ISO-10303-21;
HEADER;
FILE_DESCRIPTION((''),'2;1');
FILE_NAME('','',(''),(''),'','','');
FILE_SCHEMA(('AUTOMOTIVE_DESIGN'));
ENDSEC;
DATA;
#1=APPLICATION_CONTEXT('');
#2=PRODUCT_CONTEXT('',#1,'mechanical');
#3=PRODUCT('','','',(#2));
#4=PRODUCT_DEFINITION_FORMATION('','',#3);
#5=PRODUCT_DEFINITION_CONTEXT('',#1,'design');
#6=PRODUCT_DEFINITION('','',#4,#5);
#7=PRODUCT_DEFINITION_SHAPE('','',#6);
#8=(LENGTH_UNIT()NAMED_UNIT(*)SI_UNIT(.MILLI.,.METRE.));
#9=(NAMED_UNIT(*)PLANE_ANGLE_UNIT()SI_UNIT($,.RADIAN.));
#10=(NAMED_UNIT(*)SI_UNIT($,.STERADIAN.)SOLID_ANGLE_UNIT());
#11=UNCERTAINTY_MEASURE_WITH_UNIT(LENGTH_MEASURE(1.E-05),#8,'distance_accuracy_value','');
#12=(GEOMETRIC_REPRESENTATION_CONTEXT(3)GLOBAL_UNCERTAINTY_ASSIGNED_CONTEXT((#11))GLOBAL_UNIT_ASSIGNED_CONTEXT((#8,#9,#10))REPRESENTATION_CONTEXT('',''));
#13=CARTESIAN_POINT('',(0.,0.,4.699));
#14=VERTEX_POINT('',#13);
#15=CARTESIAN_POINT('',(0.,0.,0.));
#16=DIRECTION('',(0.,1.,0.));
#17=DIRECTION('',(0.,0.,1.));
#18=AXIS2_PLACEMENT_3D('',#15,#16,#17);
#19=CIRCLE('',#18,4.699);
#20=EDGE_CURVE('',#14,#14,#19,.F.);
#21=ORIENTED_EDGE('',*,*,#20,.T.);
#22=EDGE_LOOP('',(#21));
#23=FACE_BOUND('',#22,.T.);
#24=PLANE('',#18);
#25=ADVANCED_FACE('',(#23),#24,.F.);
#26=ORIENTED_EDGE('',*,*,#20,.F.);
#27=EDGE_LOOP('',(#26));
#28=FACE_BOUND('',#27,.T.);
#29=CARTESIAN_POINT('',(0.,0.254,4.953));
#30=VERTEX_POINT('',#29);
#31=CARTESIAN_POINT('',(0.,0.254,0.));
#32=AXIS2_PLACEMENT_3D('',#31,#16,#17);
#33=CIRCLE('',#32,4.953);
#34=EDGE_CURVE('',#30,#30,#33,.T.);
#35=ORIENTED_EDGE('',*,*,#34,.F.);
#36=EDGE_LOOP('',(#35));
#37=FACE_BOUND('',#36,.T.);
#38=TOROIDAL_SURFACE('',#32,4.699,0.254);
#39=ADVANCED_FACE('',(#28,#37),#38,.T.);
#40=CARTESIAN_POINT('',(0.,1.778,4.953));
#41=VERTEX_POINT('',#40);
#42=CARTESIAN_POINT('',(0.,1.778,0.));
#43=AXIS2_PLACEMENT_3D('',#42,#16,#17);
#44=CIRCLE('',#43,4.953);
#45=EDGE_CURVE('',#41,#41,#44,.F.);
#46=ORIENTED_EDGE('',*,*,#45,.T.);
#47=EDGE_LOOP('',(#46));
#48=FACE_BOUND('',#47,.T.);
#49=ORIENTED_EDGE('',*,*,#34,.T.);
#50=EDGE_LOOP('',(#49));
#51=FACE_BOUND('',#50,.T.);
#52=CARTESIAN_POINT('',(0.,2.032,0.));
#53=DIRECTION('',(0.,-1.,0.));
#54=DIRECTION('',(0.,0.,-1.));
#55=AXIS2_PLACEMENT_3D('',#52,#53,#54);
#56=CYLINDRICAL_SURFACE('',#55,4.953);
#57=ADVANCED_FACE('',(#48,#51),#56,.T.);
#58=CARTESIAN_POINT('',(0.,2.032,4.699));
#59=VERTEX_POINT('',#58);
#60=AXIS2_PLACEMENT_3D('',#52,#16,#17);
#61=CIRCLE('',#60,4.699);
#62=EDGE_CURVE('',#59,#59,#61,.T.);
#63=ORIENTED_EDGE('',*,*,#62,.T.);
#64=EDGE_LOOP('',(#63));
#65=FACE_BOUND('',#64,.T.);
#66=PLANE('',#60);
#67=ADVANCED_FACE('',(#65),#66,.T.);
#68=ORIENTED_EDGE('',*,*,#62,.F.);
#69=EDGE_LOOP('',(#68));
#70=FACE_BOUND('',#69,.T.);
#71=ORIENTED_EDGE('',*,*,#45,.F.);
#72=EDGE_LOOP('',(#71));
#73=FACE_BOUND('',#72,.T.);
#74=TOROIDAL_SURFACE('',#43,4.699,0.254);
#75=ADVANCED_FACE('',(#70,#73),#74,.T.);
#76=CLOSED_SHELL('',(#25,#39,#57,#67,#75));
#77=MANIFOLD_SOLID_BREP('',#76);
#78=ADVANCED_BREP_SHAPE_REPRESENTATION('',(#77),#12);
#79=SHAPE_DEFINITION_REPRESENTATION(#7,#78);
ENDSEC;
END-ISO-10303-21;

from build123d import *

# Parameters (mm, degrees)
SKETCH1_R           = 4.953
BOSS_EXTRUDE1_DEPTH = 2.032
FILLET1_R           = 0.254


with BuildPart() as part:
    # Sketch1 → Boss-Extrude1 (new body)
    with BuildSketch(Plane(origin=(0, 0, 0), x_dir=(1, 0, 0), z_dir=(0, 1, 0))):
        with Locations(Location((0, 0, 0), (0, 0, 270))):
            Circle(SKETCH1_R)
    extrude(amount=BOSS_EXTRUDE1_DEPTH)

    # Fillet1
    fillet1_edges = [part.edges().sort_by_distance(p)[0] for p in [
        (0, 0, -4.953),
        (0, 2.032, -4.953),
    ]]
    fillet(fillet1_edges, radius=FILLET1_R)


solid = part.part
